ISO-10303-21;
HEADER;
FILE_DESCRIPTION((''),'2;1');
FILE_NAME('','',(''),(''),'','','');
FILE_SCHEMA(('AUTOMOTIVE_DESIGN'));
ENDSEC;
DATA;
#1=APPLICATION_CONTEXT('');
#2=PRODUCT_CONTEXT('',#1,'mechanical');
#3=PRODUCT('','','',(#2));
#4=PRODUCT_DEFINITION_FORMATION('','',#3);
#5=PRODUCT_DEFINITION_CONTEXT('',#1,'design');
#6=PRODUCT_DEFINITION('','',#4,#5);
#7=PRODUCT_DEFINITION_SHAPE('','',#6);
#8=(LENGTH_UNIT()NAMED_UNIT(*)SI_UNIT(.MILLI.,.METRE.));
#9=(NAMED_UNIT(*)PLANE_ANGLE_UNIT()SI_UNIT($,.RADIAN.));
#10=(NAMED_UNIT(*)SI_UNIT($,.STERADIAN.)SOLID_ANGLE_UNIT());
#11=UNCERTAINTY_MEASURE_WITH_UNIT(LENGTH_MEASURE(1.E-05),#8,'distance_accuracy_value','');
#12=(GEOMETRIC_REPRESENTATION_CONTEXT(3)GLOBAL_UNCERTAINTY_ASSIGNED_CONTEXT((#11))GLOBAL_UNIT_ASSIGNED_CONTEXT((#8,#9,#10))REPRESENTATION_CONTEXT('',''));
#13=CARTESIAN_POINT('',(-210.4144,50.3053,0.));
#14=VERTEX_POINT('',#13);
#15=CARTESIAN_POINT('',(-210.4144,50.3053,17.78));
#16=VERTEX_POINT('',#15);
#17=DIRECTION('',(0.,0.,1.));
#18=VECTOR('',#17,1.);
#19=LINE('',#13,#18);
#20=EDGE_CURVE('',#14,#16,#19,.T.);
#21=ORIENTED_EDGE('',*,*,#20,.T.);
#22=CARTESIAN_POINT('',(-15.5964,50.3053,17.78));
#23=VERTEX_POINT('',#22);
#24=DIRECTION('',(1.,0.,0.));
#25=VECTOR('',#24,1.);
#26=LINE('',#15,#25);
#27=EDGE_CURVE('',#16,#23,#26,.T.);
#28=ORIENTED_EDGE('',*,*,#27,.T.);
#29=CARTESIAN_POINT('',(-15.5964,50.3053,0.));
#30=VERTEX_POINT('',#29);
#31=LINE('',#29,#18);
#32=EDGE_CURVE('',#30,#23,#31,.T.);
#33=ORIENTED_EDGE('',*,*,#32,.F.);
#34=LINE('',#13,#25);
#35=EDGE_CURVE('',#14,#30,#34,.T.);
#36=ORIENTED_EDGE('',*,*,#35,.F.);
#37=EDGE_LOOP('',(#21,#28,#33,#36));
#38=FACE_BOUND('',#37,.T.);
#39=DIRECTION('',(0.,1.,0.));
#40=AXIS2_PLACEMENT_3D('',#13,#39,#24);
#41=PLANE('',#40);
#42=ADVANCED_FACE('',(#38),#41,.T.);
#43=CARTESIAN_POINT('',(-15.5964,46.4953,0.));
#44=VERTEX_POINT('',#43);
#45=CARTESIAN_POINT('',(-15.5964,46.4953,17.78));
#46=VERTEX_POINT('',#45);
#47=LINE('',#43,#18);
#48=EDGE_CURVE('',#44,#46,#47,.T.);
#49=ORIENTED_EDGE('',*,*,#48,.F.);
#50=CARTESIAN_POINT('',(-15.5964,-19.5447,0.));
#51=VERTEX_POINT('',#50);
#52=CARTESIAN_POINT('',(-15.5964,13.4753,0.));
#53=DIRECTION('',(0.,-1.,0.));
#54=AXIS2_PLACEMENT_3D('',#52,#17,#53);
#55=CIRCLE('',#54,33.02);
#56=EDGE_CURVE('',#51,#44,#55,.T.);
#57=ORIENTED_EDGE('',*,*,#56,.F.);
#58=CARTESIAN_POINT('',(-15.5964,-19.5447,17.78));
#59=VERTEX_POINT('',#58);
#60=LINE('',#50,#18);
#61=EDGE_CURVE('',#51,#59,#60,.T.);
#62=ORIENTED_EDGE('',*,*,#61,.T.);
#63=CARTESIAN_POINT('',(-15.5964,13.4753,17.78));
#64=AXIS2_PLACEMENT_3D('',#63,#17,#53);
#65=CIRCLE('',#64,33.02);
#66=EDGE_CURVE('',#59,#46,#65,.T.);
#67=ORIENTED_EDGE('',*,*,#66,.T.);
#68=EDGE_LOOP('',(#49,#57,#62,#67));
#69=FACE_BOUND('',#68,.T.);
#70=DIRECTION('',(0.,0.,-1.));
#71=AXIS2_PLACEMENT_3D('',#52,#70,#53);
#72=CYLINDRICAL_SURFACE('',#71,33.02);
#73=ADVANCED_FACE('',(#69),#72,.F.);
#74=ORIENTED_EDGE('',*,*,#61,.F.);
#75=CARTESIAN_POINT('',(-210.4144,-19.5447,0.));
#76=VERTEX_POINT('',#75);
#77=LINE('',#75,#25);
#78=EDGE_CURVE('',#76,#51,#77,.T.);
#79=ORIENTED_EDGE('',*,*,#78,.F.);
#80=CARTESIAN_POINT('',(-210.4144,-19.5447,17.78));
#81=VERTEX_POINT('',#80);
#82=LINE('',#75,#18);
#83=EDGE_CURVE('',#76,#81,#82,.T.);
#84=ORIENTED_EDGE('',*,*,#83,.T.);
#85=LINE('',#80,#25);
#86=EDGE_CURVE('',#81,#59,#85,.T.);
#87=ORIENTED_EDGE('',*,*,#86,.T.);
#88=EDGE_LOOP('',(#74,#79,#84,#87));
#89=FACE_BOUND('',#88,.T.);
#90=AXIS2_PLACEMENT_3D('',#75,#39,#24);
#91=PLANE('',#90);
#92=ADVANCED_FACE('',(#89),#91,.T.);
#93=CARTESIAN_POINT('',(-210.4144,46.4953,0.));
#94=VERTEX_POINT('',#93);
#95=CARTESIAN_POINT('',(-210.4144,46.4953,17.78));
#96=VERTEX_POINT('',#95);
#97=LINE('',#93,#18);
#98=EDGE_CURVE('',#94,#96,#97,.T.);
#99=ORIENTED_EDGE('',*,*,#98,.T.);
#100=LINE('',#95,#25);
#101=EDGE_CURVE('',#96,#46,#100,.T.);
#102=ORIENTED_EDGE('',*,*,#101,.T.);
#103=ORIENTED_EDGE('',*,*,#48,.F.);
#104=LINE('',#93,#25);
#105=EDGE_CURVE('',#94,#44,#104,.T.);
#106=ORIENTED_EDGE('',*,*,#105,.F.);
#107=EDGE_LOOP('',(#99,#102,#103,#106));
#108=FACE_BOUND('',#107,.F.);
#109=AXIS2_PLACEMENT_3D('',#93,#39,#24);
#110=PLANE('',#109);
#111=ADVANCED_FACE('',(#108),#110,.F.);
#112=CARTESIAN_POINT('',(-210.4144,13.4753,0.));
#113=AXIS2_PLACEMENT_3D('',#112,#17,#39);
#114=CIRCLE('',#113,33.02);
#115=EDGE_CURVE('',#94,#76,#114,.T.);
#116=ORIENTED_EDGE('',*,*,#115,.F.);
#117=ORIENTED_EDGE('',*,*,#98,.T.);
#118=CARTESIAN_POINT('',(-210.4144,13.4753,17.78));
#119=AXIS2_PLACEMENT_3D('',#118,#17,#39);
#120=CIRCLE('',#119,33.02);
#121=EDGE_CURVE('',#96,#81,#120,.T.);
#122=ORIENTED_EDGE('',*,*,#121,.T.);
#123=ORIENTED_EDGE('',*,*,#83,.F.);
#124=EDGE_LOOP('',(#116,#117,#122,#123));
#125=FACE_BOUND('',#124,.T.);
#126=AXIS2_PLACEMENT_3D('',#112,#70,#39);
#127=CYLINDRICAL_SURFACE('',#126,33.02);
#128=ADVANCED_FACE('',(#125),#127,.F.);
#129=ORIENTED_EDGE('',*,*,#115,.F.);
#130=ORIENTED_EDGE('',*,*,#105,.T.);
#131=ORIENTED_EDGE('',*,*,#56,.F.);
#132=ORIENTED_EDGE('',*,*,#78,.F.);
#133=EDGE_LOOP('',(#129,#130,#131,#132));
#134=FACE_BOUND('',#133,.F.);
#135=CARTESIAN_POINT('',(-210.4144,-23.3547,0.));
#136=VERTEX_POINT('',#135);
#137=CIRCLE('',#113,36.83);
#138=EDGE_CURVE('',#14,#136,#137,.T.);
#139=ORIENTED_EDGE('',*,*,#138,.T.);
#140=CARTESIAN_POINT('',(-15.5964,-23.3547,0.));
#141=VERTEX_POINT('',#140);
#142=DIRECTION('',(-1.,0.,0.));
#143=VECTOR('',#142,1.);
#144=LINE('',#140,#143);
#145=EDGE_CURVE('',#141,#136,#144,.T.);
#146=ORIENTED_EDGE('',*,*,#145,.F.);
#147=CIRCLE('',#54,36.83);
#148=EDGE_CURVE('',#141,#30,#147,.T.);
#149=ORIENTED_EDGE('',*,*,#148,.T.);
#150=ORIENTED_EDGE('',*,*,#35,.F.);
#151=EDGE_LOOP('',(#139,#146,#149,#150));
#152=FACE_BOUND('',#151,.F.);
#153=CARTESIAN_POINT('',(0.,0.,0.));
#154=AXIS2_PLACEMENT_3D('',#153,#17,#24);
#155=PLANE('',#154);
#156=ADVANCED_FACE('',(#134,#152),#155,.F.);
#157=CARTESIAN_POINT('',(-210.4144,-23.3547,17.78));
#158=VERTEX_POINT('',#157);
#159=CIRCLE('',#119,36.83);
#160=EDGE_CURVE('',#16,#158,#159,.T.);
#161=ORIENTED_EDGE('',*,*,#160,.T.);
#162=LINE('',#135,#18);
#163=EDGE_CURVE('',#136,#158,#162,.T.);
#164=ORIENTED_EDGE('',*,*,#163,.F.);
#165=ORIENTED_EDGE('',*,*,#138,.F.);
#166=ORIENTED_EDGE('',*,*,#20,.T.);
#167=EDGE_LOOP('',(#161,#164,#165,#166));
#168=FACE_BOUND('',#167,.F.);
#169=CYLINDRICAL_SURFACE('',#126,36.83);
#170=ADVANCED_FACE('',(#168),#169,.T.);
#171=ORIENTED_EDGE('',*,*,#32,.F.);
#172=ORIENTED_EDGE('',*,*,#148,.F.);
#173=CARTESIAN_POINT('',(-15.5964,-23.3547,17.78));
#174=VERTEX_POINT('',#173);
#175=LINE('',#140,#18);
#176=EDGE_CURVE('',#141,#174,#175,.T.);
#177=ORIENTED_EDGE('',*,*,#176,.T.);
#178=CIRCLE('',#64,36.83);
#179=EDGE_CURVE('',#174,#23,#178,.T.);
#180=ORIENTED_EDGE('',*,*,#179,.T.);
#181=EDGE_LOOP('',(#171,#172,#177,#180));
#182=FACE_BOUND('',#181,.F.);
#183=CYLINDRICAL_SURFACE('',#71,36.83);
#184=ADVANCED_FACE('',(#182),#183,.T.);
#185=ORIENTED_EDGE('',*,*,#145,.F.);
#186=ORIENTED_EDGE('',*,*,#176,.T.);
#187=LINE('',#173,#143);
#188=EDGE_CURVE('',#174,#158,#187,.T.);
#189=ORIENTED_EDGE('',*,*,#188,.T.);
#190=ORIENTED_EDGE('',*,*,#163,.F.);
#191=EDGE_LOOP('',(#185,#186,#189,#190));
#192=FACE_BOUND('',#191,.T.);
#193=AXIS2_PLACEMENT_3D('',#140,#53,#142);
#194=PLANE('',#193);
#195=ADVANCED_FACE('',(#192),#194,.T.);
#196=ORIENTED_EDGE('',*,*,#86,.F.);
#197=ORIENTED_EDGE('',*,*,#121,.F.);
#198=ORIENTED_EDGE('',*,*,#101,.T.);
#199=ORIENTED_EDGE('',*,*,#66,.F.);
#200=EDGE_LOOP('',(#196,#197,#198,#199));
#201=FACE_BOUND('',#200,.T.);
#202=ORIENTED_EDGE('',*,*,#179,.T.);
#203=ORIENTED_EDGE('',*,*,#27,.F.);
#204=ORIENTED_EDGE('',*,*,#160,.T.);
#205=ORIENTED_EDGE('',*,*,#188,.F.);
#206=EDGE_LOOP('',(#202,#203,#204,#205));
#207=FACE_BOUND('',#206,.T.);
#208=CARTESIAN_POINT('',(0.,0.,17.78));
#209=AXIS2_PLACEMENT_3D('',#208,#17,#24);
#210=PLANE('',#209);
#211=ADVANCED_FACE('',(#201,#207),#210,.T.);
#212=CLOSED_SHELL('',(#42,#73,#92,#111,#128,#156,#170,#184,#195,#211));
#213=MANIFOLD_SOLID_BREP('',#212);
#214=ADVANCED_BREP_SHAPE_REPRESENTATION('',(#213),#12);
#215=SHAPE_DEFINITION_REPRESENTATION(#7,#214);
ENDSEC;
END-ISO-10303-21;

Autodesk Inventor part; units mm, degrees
ref_plane "YZ Plane" through (0, 0, 0) normal (1, 0, 0) x (0, 1, 0)
ref_plane "XZ Plane" through (0, 0, 0) normal (0, 1, 0) x (-1, 0, 0)
ref_plane "XY Plane" through (0, 0, 0) normal (0, 0, 1) x (1, 0, 0)
sketch "Sketch1" plane through (0, 0, 0) normal (0, 0, 1) x (1, 0, 0)
  arc A0 (-210.4144, 46.4953) -> (-210.4144, -19.5447) centre (-210.4144, 13.4753) ccw
  arc A1 (-15.5964, -19.5447) -> (-15.5964, 46.4953) centre (-15.5964, 13.4753) ccw
  line L0 (-210.4144, 46.4953) -> (-15.5964, 46.4953)
  line L1 (-210.4144, -19.5447) -> (-15.5964, -19.5447)
  arc A2 (-15.5964, -23.3547) -> (-15.5964, 50.3053) centre (-15.5964, 13.4753) ccw
  line L2 (-15.5964, -23.3547) -> (-210.4144, -23.3547)
  arc A3 (-210.4144, 50.3053) -> (-210.4144, -23.3547) centre (-210.4144, 13.4753) ccw
  line L3 (-210.4144, 50.3053) -> (-15.5964, 50.3053)
  point P0 (0, 0)
  dimension "d0" = 66.04
  dimension "d1" = 66.04
  dimension "d2" = 194.818
  dimension "d3" = 3.81
extrude "Extrusion1" add sketch "Sketch1" along normal blind 17.78
properties part number "Chassis_7.67inBelt"
